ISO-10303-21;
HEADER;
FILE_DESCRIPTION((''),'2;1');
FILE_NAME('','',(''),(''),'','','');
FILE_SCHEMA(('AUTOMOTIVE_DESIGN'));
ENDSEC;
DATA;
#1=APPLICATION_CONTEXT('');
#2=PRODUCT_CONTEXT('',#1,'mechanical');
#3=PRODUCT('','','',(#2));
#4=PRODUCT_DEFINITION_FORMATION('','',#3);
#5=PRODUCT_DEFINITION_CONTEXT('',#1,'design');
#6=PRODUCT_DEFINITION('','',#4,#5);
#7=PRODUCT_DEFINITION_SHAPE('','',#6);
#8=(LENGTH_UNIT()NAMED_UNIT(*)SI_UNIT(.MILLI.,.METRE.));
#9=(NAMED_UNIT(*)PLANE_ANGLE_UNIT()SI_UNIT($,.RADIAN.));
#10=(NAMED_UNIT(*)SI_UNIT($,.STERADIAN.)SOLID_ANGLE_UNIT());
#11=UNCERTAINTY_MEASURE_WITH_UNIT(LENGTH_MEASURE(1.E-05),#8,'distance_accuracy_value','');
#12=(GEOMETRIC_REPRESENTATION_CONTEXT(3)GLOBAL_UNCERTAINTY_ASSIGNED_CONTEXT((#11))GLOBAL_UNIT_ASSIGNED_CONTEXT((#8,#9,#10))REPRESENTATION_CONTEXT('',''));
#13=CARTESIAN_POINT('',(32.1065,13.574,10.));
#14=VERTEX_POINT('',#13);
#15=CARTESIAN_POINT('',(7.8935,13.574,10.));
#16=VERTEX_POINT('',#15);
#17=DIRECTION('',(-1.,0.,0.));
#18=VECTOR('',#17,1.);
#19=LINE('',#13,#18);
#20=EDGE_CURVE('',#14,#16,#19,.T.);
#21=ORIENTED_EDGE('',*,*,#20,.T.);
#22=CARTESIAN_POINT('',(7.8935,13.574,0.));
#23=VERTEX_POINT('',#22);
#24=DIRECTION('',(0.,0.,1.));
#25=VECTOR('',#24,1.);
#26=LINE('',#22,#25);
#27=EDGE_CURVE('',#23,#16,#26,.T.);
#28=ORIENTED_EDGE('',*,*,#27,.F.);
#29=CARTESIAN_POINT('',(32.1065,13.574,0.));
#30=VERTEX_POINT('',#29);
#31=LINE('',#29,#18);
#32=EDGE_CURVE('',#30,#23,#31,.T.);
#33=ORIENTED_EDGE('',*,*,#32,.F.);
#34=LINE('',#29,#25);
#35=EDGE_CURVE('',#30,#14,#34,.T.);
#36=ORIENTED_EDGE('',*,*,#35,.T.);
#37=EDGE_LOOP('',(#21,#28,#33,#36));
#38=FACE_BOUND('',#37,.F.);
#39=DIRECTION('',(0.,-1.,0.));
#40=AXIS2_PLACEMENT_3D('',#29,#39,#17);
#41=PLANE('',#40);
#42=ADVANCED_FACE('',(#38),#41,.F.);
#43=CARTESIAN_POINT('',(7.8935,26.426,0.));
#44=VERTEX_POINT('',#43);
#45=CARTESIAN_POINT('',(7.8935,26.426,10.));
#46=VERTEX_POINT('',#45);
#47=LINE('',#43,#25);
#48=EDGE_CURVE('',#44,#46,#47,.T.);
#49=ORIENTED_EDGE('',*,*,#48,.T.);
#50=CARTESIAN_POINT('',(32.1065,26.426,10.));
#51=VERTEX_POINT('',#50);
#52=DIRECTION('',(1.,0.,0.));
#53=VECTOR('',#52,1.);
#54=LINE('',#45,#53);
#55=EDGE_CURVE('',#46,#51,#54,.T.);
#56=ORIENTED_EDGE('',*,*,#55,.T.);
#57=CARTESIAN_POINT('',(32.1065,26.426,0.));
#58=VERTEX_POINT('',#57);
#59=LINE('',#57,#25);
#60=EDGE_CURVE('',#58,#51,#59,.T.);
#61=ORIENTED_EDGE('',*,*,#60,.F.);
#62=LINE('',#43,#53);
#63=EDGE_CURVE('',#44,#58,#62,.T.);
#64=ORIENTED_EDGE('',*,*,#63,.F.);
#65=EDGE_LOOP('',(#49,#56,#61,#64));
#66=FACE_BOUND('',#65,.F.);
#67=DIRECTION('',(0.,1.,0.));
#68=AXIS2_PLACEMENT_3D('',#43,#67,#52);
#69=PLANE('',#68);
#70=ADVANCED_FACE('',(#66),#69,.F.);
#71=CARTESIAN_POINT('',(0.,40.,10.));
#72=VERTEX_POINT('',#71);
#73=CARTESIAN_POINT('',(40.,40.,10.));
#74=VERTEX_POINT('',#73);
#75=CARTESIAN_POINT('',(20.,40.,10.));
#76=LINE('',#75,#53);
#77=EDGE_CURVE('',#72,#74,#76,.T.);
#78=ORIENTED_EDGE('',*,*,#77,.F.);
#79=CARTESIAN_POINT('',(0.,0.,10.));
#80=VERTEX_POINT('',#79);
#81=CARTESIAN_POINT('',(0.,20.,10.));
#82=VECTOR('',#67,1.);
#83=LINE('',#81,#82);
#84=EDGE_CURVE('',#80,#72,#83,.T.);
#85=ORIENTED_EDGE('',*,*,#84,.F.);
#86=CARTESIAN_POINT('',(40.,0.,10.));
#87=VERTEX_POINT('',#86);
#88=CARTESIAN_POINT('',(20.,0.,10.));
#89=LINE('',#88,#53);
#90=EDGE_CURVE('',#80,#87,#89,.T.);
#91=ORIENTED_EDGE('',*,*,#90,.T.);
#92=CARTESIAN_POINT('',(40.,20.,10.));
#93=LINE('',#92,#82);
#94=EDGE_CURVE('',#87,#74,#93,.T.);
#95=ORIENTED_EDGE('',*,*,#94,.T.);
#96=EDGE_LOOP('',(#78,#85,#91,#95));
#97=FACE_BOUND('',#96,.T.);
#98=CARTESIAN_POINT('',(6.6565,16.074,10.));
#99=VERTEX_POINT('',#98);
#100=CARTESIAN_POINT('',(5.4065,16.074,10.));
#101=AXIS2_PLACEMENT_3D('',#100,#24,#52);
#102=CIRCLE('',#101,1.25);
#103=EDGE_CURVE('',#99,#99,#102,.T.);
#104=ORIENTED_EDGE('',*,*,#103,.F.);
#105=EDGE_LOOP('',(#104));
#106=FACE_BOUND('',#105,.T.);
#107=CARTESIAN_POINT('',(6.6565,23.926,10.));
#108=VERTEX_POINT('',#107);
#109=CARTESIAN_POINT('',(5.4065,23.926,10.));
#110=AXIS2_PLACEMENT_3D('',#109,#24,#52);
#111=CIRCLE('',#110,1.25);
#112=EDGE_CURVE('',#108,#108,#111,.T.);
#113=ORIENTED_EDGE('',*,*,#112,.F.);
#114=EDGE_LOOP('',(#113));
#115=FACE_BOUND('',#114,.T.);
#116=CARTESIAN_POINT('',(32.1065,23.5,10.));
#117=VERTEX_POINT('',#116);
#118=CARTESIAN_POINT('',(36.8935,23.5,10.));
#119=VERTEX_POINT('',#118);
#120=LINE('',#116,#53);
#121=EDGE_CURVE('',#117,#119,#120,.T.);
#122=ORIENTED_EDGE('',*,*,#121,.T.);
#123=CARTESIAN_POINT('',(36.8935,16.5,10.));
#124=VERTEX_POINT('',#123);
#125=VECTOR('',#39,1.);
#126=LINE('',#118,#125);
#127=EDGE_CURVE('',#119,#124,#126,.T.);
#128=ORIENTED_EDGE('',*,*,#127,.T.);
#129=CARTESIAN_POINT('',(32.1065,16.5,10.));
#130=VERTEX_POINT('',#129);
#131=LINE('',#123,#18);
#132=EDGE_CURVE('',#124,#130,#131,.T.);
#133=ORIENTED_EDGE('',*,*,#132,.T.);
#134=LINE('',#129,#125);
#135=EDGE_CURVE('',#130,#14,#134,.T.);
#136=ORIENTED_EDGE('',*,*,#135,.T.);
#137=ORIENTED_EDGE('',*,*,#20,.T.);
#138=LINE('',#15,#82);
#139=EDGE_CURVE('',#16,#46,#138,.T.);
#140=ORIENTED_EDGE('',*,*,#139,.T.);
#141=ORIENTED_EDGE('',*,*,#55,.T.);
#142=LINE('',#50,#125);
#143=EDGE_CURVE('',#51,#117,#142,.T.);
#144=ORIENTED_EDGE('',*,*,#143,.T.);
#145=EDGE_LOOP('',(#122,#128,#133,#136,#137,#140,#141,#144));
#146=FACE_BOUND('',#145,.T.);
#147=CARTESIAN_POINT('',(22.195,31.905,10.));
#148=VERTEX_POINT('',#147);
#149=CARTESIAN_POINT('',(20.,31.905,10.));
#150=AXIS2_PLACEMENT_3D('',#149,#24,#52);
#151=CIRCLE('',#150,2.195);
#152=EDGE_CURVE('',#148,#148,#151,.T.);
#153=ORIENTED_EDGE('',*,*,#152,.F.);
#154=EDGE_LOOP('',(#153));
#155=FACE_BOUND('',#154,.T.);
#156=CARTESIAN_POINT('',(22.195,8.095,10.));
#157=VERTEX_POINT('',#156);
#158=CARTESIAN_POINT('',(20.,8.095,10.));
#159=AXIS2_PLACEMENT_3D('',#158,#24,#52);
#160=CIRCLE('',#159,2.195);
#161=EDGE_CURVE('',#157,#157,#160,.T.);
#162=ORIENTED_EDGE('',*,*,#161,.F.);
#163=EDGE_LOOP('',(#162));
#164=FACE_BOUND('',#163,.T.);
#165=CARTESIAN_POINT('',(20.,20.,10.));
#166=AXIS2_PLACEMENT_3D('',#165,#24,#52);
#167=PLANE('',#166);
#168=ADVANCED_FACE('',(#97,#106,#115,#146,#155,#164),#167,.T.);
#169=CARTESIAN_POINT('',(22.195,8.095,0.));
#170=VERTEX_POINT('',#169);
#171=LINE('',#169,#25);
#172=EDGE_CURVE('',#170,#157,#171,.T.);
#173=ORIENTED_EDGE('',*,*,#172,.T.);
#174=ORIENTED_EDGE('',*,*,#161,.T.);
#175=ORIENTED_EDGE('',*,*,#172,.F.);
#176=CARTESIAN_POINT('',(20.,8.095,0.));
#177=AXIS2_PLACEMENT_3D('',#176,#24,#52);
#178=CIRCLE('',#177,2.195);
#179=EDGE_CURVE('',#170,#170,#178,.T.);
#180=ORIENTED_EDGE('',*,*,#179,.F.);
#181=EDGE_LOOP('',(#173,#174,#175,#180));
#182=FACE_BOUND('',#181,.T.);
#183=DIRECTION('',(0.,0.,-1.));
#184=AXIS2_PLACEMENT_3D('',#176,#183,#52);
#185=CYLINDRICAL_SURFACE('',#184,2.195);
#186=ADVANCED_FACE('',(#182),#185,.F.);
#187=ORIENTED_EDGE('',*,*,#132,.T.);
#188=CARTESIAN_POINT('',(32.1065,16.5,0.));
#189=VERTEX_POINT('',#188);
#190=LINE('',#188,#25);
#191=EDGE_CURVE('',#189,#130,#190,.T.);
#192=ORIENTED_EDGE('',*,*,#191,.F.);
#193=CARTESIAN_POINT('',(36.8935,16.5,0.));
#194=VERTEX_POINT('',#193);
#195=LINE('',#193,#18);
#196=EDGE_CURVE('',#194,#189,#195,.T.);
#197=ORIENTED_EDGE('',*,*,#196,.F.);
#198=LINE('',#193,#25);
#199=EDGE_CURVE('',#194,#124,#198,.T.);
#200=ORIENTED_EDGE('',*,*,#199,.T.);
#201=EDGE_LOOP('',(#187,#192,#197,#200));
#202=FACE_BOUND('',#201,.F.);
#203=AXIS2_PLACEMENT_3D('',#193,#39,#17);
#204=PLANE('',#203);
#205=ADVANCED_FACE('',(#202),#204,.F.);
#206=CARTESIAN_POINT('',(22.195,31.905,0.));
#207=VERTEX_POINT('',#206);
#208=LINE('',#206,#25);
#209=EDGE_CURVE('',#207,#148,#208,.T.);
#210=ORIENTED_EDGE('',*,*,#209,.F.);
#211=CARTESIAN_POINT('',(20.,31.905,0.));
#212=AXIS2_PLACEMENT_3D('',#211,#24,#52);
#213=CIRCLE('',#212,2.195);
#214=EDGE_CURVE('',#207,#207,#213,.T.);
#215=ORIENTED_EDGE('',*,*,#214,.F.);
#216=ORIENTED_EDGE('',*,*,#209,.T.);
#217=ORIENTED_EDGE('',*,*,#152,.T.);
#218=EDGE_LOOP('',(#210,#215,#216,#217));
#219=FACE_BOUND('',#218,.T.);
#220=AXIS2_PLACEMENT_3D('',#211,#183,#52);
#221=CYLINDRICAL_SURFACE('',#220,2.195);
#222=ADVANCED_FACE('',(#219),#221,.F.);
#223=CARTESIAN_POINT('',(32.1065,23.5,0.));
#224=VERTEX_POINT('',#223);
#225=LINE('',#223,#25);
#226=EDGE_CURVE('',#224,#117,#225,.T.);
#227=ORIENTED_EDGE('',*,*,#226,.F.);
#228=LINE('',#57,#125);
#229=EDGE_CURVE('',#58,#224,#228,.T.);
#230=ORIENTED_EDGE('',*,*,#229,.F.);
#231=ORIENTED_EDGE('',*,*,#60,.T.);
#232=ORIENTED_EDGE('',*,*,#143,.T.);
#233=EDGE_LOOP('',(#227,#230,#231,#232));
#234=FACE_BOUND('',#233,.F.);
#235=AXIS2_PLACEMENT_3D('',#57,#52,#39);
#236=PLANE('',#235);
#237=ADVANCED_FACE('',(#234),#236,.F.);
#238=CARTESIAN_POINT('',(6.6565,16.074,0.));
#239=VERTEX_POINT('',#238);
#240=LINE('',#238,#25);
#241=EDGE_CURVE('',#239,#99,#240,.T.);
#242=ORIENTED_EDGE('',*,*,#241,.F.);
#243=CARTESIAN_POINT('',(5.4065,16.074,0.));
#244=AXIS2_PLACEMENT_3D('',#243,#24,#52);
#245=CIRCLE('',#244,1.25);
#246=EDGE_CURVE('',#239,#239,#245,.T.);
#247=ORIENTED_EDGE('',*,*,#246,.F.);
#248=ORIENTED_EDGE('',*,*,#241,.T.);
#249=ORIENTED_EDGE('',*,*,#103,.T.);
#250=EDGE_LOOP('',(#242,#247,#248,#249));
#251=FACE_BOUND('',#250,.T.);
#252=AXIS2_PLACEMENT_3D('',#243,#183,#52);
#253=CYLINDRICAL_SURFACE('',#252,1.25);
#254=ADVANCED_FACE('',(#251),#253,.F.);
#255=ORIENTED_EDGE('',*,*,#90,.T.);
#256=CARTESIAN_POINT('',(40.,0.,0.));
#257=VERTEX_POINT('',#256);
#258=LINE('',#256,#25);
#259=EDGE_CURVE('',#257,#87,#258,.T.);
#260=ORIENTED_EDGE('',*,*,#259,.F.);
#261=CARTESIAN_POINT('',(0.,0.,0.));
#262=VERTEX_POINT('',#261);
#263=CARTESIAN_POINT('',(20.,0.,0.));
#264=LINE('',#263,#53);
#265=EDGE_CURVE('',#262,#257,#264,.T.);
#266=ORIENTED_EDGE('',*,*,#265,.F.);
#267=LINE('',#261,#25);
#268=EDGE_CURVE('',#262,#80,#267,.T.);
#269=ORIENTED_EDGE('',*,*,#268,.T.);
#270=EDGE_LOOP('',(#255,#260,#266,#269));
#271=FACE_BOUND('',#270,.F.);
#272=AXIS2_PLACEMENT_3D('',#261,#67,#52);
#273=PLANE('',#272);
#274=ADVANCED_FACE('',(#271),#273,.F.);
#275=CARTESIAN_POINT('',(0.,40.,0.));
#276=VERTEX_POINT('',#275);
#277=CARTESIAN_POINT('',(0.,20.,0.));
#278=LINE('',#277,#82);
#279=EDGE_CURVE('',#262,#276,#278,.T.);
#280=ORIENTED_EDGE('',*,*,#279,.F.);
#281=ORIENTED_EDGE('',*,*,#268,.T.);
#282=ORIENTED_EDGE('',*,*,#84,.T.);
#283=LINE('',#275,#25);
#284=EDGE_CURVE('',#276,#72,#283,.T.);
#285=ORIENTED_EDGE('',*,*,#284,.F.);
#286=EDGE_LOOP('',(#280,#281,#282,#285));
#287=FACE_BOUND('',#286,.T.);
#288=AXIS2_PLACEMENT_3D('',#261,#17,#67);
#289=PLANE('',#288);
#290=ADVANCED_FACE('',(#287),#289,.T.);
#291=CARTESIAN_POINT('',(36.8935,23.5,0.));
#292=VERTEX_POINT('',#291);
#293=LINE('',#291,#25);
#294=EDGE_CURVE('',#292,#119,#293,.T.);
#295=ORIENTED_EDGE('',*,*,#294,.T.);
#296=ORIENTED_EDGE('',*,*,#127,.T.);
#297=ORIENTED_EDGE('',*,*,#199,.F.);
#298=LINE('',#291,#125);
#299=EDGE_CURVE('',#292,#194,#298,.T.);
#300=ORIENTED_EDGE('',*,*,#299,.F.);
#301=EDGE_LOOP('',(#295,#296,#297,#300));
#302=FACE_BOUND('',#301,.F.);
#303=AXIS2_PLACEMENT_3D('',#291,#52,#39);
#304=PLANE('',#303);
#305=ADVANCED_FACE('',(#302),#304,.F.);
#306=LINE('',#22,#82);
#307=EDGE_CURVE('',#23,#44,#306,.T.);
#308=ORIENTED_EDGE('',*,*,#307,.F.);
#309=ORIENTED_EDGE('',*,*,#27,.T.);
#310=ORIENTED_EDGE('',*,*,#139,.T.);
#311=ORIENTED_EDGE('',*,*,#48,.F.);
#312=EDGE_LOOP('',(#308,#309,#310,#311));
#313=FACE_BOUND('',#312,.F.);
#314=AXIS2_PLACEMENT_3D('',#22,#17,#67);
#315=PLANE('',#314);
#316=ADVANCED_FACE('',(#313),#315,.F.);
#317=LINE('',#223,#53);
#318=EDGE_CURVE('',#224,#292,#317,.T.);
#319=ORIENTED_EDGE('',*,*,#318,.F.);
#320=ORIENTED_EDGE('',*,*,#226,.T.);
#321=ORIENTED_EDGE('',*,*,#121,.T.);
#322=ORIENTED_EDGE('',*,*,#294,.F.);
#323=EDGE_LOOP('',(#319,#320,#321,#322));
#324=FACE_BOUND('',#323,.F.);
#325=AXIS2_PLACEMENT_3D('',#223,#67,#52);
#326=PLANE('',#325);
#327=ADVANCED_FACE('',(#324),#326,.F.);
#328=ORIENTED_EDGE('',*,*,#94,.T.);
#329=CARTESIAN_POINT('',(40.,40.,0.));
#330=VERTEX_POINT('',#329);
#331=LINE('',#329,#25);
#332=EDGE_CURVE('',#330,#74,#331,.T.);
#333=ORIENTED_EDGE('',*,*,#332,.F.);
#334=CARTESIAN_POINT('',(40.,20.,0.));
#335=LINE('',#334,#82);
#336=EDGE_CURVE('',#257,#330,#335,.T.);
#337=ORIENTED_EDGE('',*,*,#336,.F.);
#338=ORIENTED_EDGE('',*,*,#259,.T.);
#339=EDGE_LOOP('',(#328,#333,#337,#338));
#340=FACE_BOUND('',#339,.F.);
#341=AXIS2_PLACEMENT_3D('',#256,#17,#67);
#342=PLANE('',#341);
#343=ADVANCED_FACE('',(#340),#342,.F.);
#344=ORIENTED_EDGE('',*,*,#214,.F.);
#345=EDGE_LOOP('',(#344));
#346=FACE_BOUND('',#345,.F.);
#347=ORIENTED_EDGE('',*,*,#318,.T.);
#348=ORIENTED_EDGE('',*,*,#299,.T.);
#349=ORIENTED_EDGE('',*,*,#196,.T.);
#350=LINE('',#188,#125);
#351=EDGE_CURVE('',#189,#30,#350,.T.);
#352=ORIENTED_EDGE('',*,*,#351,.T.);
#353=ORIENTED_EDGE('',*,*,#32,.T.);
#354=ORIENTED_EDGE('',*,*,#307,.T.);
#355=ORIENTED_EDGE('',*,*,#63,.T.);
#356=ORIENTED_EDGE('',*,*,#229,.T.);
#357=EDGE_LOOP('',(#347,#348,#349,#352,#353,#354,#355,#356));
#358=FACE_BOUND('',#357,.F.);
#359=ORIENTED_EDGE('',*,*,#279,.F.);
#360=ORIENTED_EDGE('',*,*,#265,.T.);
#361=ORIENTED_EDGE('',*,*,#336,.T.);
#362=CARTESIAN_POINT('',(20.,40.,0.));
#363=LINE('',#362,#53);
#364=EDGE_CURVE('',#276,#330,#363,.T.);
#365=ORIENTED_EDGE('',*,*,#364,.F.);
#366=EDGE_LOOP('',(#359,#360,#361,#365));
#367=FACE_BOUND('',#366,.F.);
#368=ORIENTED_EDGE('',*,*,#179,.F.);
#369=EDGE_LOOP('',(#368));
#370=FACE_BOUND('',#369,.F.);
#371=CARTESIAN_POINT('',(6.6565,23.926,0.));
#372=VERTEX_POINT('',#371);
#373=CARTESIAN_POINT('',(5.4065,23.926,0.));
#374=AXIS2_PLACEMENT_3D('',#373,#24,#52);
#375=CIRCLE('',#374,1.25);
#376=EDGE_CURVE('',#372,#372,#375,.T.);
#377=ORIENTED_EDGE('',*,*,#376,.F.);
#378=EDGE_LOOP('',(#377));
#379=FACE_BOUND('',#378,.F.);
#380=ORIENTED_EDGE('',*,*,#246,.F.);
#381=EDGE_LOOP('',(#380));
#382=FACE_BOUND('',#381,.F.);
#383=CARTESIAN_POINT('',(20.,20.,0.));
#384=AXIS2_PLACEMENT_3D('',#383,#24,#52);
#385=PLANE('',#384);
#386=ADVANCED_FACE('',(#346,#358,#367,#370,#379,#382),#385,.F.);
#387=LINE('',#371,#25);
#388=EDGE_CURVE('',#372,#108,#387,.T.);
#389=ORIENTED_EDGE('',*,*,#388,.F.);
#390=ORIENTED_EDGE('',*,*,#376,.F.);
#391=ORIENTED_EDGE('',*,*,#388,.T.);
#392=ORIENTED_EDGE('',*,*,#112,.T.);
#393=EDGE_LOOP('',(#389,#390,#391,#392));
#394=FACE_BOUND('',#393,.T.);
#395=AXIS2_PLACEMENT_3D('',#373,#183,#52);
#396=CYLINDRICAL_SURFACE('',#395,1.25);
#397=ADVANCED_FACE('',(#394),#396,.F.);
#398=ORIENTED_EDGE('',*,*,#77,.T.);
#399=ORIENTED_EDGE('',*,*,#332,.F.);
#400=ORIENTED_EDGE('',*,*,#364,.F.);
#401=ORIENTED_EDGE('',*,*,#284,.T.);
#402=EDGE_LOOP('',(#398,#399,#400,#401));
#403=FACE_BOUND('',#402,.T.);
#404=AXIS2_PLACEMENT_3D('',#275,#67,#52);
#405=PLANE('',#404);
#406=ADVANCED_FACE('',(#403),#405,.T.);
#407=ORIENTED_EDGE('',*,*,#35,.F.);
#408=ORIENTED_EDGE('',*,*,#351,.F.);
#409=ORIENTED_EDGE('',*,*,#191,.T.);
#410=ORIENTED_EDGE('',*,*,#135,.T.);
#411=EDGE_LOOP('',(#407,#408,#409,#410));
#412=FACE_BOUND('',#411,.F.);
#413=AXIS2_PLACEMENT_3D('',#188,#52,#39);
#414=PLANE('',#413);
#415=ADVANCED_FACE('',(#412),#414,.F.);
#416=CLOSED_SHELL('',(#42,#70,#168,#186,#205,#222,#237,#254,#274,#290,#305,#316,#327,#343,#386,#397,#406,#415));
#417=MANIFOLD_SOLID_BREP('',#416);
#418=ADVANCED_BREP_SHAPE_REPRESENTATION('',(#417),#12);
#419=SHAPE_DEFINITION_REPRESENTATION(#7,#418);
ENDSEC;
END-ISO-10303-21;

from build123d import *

# Parameters (mm, degrees)
F0_W     = 40
F0_H     = 40
F0_R     = 1.25
F0_R_2   = 2.195
F1_DEPTH = 10


with BuildPart() as f1:
    # F0 (on Top) → F1 (new body)
    with BuildSketch(Plane.XY):
        with Locations((20, 20)):
            Rectangle(F0_W, F0_H)
        with Locations((5.4065, 16.074)):
            Circle(F0_R, mode=Mode.SUBTRACT)
        with Locations((20, 8.095)):
            Circle(F0_R_2, mode=Mode.SUBTRACT)
        with Locations((5.4065, 23.926)):
            Circle(F0_R, mode=Mode.SUBTRACT)
        Polygon((7.8935, 13.574), (7.8935, 26.426), (32.1065, 26.426), (32.1065, 23.5), (36.8935, 23.5), (36.8935, 16.5), (32.1065, 16.5), (32.1065, 13.574), align=None, mode=Mode.SUBTRACT)
        with Locations((20, 31.905)):
            Circle(F0_R_2, mode=Mode.SUBTRACT)
    extrude(amount=F1_DEPTH)


solid = f1.part
